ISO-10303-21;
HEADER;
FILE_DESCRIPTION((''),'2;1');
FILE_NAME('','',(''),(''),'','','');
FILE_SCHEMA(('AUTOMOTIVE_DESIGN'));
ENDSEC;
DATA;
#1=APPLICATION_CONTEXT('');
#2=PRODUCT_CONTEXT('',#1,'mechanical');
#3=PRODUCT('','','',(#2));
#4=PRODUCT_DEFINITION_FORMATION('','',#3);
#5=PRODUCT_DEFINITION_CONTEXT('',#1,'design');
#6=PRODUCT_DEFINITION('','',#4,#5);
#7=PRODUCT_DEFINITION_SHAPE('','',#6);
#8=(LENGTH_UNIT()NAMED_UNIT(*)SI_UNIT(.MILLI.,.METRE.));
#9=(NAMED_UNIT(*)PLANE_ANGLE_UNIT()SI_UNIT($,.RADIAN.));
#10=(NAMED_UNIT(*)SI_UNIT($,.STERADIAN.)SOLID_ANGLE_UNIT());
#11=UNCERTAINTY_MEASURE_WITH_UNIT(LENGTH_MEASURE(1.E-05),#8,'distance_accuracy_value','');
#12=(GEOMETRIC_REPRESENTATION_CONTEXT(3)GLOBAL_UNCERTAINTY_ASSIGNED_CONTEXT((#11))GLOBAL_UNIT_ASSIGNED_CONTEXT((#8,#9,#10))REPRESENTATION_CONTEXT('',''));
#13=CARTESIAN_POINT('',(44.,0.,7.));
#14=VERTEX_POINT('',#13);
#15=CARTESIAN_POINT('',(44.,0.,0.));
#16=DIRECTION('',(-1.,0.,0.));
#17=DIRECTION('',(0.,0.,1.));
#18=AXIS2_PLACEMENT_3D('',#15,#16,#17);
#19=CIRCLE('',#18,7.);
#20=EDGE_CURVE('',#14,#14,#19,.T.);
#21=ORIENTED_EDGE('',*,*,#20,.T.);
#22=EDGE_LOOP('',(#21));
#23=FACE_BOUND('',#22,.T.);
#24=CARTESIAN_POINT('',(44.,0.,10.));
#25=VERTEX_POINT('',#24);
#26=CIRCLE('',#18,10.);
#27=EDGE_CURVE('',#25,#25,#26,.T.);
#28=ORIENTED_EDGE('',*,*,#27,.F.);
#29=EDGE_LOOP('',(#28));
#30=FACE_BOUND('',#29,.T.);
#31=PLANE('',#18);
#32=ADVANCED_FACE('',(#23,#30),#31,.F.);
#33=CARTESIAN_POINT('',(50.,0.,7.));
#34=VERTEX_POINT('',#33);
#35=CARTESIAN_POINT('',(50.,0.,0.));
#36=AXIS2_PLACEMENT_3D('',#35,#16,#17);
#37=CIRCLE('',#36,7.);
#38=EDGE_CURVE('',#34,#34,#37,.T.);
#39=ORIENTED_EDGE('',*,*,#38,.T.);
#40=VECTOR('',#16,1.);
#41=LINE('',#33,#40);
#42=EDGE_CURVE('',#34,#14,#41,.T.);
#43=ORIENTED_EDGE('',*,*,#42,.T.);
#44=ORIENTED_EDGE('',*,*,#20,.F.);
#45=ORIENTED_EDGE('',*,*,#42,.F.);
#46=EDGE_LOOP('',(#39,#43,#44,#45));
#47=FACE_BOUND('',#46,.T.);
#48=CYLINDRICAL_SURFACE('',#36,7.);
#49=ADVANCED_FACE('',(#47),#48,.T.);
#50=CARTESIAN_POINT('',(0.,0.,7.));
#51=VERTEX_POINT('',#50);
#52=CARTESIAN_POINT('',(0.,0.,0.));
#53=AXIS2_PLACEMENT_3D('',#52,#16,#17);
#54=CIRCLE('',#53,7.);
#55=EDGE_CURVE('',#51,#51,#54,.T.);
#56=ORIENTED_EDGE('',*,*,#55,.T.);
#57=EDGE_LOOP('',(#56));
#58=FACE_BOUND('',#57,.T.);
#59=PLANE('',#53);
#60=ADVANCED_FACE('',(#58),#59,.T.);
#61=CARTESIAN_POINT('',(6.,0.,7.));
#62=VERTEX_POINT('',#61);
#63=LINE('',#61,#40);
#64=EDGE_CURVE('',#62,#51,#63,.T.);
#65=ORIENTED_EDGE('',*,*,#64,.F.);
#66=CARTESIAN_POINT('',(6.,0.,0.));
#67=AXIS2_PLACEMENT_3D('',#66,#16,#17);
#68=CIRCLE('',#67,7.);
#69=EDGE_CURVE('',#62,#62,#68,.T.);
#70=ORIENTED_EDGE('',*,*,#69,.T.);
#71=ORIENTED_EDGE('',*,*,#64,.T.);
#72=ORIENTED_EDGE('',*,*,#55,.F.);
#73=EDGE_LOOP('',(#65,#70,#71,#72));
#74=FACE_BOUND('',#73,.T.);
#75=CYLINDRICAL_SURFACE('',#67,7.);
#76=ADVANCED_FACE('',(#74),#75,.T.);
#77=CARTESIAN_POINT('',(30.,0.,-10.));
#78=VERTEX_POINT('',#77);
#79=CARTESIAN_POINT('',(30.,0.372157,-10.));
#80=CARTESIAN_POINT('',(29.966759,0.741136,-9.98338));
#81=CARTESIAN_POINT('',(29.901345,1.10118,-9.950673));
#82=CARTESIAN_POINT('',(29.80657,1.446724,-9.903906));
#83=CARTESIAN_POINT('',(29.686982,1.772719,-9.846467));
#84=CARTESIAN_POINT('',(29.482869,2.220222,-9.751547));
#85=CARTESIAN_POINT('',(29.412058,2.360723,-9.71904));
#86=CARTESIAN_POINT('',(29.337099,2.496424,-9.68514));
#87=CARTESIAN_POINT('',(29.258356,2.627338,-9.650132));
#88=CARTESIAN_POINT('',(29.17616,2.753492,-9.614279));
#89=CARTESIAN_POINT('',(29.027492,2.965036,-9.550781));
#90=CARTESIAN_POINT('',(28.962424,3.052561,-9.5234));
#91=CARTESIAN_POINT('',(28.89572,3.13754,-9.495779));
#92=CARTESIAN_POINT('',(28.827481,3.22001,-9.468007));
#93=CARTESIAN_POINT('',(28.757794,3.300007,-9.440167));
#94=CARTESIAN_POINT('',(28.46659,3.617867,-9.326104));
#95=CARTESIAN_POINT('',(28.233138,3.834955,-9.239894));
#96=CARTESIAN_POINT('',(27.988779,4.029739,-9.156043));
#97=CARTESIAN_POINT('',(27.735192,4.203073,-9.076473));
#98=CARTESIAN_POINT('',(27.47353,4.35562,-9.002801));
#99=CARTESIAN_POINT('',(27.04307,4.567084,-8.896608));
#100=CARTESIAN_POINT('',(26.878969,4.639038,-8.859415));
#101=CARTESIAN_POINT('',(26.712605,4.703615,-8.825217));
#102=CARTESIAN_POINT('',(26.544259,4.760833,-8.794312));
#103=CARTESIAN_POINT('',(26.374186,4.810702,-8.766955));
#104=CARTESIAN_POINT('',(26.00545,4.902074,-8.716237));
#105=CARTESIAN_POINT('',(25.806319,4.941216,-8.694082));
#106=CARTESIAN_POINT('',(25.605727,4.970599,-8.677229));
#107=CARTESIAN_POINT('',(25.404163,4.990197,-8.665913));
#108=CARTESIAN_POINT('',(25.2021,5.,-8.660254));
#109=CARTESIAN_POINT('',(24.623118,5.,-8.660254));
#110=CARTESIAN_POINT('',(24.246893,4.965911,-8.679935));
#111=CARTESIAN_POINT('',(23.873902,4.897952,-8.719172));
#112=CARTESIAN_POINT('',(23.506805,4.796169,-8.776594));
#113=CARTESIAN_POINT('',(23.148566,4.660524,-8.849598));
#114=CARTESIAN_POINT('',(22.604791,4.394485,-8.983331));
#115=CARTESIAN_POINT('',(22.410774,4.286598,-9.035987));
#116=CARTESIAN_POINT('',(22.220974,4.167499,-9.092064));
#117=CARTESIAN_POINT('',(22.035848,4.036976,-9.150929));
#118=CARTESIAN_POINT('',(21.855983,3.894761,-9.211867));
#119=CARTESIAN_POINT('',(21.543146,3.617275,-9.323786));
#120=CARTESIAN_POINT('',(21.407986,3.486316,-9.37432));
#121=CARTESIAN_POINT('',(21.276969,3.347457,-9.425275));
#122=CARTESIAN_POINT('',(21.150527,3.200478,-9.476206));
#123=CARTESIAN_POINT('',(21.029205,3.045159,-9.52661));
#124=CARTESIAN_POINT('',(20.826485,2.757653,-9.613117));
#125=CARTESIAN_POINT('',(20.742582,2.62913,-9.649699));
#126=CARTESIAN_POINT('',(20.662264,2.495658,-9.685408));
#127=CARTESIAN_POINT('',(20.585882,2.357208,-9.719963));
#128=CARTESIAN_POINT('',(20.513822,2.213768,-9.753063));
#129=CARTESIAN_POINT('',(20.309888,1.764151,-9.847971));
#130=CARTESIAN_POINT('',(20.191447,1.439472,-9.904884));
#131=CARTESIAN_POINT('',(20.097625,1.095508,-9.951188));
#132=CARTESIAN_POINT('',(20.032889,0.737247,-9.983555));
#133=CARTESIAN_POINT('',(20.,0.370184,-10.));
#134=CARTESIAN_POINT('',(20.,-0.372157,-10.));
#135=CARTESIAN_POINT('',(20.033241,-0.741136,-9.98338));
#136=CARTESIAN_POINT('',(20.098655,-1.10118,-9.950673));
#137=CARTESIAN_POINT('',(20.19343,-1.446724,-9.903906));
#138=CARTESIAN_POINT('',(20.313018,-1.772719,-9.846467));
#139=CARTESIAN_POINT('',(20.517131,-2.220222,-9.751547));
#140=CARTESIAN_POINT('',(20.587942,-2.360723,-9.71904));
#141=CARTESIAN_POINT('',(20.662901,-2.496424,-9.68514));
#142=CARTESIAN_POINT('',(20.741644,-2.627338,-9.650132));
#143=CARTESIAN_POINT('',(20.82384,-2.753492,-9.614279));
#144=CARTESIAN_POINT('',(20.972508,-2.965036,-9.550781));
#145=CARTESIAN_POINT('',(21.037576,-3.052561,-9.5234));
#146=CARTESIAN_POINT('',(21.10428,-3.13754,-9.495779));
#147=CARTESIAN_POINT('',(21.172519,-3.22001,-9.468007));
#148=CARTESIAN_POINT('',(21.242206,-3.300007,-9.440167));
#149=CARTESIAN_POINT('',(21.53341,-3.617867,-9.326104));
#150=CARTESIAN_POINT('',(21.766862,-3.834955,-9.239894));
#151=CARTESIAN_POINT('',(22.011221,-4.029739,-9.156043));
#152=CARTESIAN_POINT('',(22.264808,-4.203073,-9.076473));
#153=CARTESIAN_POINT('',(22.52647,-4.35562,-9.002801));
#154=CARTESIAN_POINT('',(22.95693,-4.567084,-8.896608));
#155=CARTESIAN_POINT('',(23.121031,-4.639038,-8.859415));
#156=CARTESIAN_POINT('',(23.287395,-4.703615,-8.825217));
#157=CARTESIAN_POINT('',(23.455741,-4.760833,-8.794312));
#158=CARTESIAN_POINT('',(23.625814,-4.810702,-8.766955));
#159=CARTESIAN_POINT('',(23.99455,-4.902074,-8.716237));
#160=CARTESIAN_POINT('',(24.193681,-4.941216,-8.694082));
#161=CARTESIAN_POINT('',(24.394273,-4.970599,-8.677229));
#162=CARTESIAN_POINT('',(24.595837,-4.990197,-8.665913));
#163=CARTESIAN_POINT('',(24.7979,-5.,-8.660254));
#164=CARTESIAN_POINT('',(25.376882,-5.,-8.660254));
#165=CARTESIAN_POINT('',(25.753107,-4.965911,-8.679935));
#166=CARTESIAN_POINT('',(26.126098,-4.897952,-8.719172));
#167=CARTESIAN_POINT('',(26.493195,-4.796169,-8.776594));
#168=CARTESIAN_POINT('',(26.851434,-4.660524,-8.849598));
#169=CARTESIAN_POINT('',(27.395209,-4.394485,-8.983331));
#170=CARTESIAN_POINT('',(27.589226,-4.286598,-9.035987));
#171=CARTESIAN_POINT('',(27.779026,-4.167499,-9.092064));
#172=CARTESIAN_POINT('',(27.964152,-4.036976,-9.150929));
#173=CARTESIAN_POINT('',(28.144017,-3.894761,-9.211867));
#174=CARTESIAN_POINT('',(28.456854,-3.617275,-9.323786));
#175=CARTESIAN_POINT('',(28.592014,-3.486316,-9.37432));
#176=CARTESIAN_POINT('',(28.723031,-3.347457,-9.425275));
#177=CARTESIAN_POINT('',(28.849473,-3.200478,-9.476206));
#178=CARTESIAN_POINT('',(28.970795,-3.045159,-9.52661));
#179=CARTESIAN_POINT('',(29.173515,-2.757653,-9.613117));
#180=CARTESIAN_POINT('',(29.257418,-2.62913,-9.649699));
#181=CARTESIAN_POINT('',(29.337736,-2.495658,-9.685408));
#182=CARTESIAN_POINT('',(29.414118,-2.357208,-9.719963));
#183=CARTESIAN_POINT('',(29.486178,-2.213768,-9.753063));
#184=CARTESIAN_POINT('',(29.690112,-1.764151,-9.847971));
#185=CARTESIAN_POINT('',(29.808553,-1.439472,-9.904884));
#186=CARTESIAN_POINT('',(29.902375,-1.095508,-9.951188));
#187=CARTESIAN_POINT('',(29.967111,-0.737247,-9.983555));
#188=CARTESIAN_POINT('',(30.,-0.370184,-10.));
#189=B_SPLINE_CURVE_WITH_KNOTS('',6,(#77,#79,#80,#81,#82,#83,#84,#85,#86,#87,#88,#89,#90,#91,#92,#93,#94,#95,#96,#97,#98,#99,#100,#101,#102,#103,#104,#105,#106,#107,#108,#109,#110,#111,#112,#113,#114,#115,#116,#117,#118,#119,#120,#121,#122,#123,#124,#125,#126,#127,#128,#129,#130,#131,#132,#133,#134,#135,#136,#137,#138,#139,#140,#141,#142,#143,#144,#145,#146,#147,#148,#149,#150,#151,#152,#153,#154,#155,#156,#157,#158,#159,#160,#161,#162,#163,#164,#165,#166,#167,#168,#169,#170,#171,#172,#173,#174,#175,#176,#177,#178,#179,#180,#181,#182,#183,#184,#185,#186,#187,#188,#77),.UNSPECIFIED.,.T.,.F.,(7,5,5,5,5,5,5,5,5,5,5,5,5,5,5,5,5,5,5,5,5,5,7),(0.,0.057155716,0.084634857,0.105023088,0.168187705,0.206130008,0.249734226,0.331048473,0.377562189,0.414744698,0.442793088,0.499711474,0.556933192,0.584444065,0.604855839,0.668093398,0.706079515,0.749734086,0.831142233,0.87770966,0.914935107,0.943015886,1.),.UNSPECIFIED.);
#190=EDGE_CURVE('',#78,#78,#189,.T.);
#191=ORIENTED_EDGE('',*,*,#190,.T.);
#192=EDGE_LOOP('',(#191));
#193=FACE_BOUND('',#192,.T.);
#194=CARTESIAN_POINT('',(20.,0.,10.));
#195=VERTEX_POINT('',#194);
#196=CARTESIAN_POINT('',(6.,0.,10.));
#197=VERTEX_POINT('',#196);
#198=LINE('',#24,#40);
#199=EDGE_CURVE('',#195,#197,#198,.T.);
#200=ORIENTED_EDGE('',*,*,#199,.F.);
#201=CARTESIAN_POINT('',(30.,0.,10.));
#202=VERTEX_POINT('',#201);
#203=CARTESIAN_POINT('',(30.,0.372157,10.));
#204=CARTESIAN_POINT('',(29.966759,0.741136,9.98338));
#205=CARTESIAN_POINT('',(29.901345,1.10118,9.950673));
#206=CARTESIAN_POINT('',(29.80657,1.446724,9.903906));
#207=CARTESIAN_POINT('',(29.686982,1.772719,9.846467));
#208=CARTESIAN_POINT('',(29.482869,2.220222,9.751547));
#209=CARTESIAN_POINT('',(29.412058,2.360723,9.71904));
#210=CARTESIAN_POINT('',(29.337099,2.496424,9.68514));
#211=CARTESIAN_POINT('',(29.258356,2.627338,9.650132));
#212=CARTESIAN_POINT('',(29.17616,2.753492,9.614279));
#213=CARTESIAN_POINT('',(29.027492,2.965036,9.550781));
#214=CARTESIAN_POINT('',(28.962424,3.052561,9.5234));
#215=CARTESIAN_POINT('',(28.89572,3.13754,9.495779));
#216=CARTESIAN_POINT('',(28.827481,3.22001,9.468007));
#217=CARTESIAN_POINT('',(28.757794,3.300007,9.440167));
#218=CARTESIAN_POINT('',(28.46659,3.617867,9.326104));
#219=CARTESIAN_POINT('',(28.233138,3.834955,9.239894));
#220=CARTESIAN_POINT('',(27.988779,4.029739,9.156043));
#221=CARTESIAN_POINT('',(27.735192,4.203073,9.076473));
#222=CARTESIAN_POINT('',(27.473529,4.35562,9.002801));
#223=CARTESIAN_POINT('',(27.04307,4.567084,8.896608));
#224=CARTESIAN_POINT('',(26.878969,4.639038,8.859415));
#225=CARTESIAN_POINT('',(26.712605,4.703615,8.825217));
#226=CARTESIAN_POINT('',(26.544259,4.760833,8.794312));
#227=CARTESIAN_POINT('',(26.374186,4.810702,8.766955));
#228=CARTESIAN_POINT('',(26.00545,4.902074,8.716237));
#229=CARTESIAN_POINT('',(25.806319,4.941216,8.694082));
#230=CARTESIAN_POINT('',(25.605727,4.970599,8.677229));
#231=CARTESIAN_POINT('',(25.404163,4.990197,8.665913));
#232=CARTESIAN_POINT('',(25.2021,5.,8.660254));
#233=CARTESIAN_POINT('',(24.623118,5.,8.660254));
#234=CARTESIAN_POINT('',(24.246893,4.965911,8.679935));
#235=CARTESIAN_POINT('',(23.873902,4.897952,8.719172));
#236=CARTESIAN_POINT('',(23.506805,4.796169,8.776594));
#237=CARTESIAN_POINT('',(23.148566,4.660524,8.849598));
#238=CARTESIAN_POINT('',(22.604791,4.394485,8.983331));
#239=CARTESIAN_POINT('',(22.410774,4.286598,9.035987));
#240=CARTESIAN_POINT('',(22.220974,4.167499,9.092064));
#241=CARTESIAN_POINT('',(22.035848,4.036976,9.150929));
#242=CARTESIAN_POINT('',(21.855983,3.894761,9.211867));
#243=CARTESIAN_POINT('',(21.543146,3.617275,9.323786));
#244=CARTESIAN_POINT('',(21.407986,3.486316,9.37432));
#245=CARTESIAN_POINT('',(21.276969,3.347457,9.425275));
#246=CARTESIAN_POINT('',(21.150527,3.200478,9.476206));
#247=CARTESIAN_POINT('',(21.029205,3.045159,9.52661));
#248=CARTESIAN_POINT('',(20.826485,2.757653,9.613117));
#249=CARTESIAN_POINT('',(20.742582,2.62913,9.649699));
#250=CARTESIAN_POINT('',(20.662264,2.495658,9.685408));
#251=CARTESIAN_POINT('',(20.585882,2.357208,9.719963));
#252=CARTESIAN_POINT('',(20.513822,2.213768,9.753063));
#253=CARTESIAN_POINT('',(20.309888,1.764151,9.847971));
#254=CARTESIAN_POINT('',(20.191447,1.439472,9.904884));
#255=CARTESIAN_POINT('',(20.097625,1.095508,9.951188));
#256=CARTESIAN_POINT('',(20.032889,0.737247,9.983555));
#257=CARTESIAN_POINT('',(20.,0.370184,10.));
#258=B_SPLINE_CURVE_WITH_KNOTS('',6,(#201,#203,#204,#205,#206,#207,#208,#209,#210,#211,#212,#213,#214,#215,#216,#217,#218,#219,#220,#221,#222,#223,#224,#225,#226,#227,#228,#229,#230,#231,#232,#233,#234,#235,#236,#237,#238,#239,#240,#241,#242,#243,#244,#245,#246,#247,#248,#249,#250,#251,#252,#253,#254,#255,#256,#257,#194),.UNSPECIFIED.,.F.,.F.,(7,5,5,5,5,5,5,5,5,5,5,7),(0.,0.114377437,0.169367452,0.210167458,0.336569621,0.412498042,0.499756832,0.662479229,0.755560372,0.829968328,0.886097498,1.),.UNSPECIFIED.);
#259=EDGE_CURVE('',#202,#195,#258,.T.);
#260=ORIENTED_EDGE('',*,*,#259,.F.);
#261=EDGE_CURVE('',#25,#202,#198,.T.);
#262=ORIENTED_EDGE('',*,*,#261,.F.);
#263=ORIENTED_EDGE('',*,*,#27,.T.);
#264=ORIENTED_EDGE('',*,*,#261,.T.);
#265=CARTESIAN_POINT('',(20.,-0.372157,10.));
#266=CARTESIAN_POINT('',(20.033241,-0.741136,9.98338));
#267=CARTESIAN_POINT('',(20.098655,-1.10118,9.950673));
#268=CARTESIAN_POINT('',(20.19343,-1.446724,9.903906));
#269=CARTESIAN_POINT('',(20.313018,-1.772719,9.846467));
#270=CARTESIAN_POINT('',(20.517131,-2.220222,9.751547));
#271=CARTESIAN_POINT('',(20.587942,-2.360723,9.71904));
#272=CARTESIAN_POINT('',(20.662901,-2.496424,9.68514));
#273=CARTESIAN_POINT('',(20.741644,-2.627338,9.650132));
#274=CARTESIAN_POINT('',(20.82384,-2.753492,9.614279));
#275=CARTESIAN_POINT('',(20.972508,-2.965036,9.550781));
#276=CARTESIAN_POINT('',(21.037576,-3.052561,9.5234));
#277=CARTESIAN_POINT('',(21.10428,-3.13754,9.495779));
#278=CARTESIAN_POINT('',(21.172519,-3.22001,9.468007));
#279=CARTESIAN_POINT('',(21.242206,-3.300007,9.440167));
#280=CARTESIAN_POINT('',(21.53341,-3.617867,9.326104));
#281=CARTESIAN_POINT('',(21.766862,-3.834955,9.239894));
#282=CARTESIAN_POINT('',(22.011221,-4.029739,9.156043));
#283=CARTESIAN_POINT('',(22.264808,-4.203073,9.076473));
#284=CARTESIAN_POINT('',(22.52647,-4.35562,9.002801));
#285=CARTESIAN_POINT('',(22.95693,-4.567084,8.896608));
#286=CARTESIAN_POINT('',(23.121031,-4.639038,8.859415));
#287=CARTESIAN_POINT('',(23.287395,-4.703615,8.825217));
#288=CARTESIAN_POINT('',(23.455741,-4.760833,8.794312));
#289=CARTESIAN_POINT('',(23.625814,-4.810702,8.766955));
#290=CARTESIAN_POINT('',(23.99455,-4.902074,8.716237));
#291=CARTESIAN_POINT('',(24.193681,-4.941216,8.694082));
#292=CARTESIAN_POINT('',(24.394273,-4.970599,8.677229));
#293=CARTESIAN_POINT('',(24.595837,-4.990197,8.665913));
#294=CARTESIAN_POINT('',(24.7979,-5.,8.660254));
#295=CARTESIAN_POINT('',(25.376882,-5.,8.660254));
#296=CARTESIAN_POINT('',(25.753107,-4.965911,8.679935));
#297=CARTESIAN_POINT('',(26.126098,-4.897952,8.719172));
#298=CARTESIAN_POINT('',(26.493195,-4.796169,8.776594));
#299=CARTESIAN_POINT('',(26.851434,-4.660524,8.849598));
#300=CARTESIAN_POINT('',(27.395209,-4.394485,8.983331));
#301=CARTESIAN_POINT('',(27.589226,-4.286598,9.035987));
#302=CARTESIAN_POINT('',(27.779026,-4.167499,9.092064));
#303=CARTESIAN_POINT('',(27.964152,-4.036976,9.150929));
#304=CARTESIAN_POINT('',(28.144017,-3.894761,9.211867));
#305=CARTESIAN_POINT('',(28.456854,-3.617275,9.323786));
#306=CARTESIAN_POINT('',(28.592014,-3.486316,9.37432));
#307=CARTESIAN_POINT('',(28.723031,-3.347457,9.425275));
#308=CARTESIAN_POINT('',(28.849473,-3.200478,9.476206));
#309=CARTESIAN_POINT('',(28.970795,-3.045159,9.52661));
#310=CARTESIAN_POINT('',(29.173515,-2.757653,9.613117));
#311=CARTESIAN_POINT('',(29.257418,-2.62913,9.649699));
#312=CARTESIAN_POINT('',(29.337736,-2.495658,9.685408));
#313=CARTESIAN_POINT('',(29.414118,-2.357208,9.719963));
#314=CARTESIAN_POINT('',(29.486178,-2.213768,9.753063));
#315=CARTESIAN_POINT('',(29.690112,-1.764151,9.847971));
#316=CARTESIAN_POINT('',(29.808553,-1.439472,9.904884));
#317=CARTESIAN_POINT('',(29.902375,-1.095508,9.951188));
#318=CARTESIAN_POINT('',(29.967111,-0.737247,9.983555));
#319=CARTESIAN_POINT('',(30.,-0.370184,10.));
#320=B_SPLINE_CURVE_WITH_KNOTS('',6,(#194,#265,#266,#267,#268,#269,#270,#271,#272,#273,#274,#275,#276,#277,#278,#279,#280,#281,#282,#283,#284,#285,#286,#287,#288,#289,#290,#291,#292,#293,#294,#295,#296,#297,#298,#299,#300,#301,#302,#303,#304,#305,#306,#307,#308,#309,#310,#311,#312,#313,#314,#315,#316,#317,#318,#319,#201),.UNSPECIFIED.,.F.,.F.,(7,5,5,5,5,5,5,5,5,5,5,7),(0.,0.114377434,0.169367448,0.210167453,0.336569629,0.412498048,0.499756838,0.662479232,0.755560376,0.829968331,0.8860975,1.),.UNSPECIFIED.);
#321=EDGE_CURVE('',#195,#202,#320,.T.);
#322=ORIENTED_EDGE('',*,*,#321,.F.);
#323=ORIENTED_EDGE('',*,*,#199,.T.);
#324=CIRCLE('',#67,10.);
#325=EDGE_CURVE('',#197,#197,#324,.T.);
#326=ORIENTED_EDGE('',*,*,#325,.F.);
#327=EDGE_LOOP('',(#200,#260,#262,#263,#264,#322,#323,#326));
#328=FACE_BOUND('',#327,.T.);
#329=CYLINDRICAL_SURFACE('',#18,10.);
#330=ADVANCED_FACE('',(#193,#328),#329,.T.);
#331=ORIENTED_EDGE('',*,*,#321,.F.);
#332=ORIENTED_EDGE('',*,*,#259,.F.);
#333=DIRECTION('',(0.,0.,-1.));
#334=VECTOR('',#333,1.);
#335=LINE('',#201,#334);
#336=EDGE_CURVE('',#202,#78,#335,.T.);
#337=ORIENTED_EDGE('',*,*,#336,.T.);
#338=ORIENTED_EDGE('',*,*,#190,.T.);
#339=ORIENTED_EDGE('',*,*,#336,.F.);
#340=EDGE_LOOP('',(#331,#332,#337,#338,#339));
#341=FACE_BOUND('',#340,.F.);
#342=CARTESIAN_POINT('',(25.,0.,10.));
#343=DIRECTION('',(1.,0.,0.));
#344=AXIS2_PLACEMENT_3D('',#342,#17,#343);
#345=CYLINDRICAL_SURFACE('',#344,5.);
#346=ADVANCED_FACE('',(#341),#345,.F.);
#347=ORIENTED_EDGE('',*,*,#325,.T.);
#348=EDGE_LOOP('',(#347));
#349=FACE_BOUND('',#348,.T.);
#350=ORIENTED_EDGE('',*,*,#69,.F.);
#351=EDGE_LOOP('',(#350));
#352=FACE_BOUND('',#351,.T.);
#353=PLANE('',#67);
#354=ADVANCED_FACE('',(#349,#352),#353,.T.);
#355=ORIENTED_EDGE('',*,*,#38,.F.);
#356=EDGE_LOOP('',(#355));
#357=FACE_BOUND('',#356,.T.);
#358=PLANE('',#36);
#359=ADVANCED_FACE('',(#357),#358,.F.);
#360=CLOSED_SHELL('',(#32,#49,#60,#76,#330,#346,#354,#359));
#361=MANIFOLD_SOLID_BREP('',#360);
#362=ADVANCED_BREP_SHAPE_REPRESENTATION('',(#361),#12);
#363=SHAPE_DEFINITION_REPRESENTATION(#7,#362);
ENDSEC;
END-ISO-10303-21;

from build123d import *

# Parameters (mm, degrees)
F3_R     = 5
F4_DEPTH = 20.001


with BuildPart() as f1:
    # F0 (on Front) → F1 (revolve)
    with BuildSketch(Plane.XZ):
        Polygon((0, 7), (0, 0), (50, 0), (50, 7), (44, 7), (44, 10), (6, 10), (6, 7), align=None)
    revolve(axis=Axis((25, 0, 0), (-1, 0, 0)))

    # F3 (on offset) → F4 (cut, through all)
    with BuildSketch(Plane.XY.offset(10)):
        with Locations((25, 0)):
            Circle(F3_R)
    extrude(amount=-F4_DEPTH, mode=Mode.SUBTRACT)


solid = f1.part
